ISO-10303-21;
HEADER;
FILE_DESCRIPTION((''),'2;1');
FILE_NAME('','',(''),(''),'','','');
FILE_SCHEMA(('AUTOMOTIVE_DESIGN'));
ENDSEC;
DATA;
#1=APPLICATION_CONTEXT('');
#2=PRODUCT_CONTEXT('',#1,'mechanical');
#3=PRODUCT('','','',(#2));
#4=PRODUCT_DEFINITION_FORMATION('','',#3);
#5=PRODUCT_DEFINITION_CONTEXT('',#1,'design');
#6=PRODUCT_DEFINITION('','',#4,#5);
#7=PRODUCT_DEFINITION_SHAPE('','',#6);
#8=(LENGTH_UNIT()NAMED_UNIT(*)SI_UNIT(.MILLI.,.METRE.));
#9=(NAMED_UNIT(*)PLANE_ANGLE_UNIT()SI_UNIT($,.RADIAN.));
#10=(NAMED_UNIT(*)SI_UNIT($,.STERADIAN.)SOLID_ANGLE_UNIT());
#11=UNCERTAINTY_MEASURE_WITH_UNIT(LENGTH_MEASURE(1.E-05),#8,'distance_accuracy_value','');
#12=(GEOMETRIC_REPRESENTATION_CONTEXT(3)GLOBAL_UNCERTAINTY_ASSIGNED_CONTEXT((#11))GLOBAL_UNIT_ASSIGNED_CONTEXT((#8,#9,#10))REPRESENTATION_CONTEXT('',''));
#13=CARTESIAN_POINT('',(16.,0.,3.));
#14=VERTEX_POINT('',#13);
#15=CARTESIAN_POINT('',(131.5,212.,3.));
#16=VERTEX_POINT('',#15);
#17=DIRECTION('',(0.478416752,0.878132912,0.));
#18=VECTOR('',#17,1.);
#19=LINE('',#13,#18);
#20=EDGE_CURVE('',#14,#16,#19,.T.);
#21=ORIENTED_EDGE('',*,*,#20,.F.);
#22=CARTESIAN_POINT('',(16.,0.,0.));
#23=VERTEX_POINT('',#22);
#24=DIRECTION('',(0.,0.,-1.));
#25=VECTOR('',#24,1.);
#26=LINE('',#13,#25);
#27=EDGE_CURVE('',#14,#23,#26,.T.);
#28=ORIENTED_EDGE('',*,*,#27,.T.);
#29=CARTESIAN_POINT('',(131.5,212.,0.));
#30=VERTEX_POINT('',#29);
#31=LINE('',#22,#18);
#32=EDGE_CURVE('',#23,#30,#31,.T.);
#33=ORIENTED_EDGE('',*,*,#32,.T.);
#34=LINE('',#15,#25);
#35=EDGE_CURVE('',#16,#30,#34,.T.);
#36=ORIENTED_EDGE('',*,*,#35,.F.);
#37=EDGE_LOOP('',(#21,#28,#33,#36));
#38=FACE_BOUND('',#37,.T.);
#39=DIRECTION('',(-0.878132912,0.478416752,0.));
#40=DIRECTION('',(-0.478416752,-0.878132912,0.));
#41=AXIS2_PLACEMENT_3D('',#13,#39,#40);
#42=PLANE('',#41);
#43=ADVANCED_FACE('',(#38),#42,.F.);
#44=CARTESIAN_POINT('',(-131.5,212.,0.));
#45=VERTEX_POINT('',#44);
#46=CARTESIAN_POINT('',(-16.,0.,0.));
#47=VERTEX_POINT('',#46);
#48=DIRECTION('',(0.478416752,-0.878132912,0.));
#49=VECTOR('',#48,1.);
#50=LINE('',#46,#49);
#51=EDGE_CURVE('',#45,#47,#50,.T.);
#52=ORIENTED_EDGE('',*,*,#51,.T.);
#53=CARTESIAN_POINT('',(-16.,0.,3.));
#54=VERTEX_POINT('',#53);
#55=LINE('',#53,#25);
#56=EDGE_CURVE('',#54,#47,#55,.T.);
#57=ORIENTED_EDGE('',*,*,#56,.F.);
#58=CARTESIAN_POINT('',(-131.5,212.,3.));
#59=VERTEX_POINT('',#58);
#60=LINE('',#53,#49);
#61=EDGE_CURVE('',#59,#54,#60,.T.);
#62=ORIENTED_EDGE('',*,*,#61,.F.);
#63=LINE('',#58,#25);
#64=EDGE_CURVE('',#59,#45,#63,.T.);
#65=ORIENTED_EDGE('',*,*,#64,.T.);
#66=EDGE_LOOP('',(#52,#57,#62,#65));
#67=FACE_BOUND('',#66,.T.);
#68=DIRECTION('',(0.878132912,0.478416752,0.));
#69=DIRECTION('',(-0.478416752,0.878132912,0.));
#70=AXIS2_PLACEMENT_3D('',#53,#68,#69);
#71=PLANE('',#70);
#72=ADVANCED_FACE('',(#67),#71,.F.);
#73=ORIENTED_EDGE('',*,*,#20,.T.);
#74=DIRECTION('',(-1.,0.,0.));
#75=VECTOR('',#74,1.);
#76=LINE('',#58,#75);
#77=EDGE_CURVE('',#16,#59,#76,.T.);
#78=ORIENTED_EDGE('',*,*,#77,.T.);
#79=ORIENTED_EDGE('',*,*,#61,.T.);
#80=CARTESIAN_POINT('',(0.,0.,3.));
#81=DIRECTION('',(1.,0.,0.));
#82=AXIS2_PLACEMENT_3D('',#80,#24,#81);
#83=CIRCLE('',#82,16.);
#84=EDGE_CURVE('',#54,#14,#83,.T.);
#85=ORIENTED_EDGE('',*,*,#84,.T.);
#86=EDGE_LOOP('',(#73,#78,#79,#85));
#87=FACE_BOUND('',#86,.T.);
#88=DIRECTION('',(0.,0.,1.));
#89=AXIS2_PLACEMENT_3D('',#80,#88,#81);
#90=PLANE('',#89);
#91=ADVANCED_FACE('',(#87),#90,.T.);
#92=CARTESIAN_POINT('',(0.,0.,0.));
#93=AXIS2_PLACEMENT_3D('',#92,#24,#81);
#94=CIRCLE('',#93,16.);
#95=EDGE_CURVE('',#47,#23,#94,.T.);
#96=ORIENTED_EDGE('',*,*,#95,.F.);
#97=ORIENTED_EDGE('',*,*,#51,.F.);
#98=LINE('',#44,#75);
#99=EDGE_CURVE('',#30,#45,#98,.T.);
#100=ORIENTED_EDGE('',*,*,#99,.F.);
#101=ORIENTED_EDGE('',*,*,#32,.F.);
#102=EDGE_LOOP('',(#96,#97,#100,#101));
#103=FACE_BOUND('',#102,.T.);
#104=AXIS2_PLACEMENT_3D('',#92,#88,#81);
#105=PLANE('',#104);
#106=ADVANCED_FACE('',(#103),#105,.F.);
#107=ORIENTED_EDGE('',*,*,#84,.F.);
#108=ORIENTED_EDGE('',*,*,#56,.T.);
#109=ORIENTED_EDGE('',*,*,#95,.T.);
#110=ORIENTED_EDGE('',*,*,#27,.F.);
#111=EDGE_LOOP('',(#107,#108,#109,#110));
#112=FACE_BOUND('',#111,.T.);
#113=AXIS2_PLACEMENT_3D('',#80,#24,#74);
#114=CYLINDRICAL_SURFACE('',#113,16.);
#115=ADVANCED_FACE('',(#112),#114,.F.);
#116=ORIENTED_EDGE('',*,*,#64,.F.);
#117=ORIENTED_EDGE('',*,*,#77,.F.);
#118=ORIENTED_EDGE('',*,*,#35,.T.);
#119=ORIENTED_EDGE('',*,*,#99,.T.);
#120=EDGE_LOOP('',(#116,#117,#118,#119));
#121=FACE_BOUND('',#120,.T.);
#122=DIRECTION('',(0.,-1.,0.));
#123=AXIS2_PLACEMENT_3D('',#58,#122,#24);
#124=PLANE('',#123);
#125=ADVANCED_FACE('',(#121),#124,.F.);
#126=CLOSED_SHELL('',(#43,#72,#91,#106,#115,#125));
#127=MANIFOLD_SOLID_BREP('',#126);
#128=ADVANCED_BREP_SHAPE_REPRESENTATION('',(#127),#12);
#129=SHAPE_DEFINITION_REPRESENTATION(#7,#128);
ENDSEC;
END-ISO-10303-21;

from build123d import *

# Parameters (mm, degrees)
SALIENTE_EXTRUIR1_DEPTH = 3


with BuildPart() as part:
    # Croquis1 → Saliente-Extruir1 (new body)
    with BuildSketch(Plane.XY):
        with BuildLine():
            Line((-131.5, 212), (131.5, 212))
            Line((131.5, 212), (16, 0))
            ThreePointArc((16, 0), (0, 16), (-16, 0))
            Line((-16, 0), (-131.5, 212))
        make_face()
    extrude(amount=SALIENTE_EXTRUIR1_DEPTH)


solid = part.part
